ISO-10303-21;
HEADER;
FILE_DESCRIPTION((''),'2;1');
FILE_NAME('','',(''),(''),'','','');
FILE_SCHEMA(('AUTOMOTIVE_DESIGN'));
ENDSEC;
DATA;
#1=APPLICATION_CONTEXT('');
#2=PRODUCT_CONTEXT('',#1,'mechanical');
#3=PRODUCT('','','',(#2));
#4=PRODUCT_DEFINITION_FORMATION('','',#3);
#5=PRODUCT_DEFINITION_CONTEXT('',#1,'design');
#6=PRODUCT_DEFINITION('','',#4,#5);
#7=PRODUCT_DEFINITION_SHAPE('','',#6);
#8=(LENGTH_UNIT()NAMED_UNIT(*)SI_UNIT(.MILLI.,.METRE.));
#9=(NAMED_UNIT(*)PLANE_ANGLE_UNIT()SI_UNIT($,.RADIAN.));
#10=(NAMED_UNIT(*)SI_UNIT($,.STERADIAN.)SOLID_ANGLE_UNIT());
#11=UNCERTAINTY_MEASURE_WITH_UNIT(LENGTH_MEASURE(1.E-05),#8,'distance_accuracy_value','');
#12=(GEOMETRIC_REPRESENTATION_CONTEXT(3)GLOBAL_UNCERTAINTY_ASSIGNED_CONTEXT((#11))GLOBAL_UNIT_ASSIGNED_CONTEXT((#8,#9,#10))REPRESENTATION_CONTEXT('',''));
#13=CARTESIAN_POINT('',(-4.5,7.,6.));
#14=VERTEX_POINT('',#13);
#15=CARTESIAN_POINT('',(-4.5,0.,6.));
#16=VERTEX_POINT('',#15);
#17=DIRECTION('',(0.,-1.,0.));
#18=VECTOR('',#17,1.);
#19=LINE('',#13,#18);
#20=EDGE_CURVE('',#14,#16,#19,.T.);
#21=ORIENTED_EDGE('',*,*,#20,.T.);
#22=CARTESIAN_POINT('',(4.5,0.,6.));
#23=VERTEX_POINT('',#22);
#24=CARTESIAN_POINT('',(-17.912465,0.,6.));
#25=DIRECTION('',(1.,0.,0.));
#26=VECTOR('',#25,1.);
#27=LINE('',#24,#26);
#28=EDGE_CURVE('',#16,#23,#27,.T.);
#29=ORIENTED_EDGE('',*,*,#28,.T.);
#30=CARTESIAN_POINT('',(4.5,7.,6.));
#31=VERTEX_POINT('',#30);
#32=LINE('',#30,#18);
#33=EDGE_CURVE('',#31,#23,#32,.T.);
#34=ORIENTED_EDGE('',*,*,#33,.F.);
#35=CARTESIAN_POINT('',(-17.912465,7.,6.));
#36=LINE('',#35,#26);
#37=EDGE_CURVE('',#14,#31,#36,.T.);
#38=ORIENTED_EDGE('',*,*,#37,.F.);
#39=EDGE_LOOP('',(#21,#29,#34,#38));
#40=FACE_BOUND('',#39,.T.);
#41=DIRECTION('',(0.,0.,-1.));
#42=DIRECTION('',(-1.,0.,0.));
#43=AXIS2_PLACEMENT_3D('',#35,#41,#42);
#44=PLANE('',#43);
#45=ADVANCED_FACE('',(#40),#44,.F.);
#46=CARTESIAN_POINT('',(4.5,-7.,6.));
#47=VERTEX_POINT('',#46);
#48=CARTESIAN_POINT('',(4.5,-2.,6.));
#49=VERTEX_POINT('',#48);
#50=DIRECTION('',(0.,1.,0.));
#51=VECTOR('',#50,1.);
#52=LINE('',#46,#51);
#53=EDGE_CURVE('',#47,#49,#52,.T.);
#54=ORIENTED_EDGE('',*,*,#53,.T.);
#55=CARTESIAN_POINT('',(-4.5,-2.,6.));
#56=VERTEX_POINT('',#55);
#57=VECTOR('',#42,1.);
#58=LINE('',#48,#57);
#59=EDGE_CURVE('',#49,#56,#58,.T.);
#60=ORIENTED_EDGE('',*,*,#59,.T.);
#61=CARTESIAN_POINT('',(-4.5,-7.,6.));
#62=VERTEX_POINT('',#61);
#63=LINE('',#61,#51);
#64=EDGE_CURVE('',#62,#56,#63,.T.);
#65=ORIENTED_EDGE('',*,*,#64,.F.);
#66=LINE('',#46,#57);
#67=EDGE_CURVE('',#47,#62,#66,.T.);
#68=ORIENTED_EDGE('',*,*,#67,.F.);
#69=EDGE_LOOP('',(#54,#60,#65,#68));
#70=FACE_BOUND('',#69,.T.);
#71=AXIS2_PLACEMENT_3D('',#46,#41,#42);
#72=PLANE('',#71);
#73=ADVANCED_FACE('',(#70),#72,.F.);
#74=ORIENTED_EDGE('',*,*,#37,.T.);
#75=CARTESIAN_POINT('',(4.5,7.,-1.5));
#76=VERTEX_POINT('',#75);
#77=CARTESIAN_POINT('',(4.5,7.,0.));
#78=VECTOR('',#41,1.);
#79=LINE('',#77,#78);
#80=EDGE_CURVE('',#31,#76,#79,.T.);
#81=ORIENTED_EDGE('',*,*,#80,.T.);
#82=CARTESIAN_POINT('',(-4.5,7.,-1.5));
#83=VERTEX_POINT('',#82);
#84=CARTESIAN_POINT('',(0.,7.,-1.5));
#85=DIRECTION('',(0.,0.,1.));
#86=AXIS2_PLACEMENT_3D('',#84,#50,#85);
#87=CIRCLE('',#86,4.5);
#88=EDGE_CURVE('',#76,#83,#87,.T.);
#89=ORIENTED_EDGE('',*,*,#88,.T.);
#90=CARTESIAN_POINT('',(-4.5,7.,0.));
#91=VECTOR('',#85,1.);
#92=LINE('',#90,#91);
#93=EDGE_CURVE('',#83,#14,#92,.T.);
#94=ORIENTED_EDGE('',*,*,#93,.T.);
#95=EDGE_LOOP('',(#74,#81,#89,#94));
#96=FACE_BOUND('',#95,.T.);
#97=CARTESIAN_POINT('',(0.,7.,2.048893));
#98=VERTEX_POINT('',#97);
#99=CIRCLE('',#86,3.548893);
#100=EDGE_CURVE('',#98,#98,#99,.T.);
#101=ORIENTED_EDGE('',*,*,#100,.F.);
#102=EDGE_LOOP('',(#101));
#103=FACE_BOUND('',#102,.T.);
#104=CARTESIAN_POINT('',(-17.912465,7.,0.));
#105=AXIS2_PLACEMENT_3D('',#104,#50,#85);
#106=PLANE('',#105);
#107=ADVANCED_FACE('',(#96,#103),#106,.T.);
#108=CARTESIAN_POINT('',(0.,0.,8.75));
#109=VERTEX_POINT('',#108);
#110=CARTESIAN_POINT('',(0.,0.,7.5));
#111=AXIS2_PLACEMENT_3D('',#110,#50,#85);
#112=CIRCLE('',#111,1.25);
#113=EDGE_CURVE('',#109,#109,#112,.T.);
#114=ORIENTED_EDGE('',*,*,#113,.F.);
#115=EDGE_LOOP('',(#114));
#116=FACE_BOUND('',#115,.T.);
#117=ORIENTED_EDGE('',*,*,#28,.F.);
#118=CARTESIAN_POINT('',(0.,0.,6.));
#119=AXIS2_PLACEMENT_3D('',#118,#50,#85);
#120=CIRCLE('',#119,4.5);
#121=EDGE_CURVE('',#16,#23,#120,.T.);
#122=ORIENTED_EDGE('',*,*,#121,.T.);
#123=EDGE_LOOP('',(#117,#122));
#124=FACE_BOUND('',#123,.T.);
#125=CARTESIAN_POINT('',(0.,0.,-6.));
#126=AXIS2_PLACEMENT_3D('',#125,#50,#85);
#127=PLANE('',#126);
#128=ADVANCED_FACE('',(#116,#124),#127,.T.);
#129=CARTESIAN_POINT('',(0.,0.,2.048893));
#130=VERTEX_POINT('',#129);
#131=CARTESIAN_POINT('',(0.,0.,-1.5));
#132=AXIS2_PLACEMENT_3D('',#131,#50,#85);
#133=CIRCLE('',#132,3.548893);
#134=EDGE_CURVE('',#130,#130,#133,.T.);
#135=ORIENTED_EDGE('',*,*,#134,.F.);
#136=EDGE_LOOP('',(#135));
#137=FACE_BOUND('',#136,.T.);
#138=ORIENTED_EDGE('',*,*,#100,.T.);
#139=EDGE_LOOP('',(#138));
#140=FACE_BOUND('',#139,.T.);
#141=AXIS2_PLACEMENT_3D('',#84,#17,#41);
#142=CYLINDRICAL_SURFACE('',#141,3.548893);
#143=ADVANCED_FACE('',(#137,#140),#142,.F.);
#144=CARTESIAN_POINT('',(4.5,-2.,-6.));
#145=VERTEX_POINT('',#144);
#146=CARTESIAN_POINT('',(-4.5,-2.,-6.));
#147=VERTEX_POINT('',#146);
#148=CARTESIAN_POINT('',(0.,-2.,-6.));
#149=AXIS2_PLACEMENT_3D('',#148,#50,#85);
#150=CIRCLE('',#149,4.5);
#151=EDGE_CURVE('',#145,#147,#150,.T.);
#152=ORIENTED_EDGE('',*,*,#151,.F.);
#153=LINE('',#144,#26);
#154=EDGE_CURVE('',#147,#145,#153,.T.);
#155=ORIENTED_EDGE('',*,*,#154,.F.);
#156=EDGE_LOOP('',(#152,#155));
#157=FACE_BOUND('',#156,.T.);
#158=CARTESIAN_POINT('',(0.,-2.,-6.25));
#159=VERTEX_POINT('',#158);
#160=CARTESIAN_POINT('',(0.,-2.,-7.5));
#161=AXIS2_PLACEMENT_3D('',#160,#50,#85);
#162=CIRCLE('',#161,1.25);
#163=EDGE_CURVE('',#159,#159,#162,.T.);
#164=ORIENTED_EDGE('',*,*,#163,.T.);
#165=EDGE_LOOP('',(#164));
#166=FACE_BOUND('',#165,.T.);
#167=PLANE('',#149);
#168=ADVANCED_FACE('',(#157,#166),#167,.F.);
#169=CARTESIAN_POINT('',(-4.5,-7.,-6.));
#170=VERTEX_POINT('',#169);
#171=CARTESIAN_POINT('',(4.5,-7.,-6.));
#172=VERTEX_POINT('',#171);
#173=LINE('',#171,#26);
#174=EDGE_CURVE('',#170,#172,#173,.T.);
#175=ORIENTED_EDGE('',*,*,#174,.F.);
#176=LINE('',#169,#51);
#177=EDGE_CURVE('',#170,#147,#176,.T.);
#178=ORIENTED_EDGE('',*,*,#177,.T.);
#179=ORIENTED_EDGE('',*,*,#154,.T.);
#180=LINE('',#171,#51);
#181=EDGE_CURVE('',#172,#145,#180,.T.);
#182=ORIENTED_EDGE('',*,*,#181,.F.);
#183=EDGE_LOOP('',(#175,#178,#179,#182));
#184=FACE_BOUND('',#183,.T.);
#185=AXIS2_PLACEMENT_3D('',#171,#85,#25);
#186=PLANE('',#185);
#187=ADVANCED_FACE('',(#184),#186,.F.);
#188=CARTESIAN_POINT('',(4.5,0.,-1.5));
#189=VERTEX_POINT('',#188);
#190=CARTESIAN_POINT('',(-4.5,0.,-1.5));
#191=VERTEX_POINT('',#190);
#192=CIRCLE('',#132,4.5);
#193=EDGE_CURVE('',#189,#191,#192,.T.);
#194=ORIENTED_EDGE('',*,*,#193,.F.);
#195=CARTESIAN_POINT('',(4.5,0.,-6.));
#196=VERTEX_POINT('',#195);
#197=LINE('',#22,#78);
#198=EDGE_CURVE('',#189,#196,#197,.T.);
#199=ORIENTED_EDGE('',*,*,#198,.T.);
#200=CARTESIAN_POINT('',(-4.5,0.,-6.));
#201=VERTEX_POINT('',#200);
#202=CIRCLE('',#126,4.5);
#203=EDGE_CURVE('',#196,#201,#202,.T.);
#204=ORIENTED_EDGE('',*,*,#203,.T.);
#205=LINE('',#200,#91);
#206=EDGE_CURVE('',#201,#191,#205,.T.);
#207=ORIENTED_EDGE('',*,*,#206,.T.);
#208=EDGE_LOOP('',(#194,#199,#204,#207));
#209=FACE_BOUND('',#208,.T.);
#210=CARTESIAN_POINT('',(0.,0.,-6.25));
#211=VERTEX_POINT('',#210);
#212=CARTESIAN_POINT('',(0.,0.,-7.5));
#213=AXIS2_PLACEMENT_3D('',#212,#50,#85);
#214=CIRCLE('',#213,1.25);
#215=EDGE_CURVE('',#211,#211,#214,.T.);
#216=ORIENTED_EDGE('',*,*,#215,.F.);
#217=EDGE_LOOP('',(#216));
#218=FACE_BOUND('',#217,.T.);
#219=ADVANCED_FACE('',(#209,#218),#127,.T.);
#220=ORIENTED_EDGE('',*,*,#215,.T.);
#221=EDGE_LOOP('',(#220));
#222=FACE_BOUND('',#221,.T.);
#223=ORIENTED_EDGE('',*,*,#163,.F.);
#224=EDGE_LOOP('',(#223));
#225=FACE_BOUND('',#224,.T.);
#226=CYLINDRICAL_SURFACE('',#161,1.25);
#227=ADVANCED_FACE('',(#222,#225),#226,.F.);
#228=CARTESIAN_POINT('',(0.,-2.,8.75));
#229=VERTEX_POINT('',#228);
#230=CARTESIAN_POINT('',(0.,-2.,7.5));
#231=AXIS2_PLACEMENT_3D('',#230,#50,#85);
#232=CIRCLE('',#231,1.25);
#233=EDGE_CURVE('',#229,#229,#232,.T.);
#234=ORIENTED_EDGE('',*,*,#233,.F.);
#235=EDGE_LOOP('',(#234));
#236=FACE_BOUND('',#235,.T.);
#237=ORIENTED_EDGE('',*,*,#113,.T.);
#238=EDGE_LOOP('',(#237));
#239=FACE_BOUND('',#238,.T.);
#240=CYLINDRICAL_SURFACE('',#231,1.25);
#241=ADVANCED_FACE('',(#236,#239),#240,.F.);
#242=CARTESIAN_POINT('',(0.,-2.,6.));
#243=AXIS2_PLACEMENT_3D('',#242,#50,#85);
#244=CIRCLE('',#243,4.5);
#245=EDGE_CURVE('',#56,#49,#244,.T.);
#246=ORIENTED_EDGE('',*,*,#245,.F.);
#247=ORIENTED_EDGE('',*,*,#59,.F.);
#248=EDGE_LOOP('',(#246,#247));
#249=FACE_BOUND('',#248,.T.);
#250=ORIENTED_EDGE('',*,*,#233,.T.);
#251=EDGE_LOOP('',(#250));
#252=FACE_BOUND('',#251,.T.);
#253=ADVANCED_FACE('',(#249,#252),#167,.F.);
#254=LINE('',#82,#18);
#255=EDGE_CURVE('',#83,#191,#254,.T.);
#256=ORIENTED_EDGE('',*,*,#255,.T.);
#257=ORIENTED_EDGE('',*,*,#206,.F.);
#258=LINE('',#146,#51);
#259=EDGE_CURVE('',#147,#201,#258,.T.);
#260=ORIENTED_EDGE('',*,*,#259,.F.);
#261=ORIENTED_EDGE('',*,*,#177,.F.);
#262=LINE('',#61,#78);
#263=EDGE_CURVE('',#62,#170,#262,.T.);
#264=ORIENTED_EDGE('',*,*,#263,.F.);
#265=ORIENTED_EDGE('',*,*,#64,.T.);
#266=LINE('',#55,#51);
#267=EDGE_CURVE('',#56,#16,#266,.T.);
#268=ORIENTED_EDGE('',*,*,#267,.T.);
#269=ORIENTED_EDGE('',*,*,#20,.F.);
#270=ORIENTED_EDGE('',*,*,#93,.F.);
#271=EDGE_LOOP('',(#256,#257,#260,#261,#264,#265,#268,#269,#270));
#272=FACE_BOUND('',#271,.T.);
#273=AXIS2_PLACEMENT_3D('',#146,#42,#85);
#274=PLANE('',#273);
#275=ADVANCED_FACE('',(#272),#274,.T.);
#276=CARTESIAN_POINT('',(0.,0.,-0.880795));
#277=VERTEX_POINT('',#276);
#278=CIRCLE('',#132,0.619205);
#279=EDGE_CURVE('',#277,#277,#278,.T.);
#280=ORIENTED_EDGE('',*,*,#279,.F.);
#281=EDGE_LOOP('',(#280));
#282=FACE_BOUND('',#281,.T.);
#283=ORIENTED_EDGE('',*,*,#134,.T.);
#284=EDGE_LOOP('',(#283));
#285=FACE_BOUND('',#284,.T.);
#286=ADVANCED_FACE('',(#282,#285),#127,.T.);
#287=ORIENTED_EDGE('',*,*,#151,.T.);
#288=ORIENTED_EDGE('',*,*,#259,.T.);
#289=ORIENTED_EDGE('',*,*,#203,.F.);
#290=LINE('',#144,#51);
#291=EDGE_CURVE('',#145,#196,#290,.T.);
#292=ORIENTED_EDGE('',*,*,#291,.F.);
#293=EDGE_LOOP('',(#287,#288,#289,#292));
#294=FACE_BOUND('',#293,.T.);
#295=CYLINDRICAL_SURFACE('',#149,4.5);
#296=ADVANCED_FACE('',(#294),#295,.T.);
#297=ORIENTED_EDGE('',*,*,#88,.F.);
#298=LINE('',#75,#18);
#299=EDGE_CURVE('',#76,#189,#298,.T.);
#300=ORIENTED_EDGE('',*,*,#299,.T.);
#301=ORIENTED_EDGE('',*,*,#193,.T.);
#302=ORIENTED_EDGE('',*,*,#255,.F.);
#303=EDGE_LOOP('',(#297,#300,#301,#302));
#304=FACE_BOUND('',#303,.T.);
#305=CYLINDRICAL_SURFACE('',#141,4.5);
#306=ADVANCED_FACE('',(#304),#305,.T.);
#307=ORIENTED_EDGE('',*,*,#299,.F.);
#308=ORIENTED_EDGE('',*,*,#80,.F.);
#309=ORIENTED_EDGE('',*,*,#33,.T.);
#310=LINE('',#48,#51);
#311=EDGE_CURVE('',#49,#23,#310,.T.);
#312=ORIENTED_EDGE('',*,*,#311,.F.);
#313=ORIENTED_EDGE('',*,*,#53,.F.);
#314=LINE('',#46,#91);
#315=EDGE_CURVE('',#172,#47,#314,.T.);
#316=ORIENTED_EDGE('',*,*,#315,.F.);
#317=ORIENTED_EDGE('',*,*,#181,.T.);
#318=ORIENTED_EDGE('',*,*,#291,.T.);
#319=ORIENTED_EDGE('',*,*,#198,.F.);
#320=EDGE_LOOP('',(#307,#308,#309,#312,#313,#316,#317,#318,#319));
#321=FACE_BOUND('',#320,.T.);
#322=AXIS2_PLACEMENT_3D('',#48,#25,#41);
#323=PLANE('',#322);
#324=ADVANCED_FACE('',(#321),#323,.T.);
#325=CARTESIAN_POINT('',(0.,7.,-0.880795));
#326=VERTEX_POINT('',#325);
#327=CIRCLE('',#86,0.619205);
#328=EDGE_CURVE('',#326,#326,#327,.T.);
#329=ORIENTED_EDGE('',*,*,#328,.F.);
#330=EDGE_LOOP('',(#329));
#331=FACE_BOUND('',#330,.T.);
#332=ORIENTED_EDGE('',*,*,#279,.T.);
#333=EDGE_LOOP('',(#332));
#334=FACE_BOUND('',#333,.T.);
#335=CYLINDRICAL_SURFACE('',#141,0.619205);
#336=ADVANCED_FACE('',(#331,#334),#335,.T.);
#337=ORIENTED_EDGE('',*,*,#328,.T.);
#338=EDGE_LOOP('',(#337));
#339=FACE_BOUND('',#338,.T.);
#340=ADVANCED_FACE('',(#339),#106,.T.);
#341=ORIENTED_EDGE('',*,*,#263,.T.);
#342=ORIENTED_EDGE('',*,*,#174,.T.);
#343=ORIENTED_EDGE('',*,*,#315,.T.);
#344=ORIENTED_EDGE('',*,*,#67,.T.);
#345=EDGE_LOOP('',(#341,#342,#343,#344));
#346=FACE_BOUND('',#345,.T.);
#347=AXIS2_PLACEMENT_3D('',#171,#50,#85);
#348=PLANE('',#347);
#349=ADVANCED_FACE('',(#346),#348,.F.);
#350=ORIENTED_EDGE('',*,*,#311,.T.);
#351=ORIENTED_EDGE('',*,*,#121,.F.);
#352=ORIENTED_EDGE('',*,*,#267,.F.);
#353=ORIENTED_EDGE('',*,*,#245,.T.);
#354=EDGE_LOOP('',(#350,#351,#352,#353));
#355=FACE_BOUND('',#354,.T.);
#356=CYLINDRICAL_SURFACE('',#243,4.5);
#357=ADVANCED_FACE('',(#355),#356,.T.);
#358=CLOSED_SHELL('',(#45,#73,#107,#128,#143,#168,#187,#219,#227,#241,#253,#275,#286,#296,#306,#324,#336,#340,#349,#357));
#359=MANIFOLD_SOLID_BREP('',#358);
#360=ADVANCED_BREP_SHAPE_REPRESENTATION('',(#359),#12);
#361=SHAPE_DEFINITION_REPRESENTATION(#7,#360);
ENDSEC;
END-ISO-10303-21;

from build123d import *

# Parameters (mm, degrees)
ESQUISSE1_R      = 1.25
EXTRUSION1_DEPTH = 2
ESQUISSE2_R      = 3.548892627
ESQUISSE2_R_2    = 0.619205298
EXTRUSION2_DEPTH = 7
ESQUISSE3_W      = 9
ESQUISSE3_H      = 12
EXTRUSION3_DEPTH = 5


with BuildPart() as part:
    # Esquisse1 → Extrusion1 (new body)
    with BuildSketch(Plane(origin=(0, 0, 0), x_dir=(1, 0, 0), z_dir=(0, 1, 0))):
        with BuildLine():
            Line((-4.5, 6), (-4.5, -6))
            ThreePointArc((-4.5, -6), (0, -10.5), (4.5, -6))
            Line((4.5, -6), (4.5, 6))
            ThreePointArc((4.5, 6), (0, 10.5), (-4.5, 6))
        make_face()
        with Locations(Location((0, 7.5, 0), (0, 0, 270))):
            Circle(ESQUISSE1_R, mode=Mode.SUBTRACT)
        with Locations(Location((0, -7.5, 0), (0, 0, 270))):
            Circle(ESQUISSE1_R, mode=Mode.SUBTRACT)
    extrude(amount=-EXTRUSION1_DEPTH)

    # Esquisse2 → Extrusion2 (add)
    # profile 1 of 2: a face of its own
    with BuildSketch(Plane(origin=(0, 0, 0), x_dir=(-1, 0, 0), z_dir=(0, 1, 0))):
        with BuildLine():
            Line((4.5, -1.5), (4.5, 6))
            Line((4.5, 6), (-4.5, 6))
            Line((-4.5, 6), (-4.5, -1.5))
            ThreePointArc((-4.5, -1.5), (0, -6), (4.5, -1.5))
        make_face()
        with Locations(Location((0, -1.5, 0), (0, 0, 90))):
            Circle(ESQUISSE2_R, mode=Mode.SUBTRACT)
    # profile 2 of 2: a face of its own
    with BuildSketch(Plane(origin=(0, 0, 0), x_dir=(-1, 0, 0), z_dir=(0, 1, 0))):
        with Locations(Location((0, -1.5, 0), (0, 0, 90))):
            Circle(ESQUISSE2_R_2)
    extrude(amount=EXTRUSION2_DEPTH)

    # Esquisse3 → Extrusion3 (add)
    with BuildSketch(Plane.XZ.offset(2)):
        Rectangle(ESQUISSE3_W, ESQUISSE3_H)
    extrude(amount=EXTRUSION3_DEPTH)


solid = part.part
